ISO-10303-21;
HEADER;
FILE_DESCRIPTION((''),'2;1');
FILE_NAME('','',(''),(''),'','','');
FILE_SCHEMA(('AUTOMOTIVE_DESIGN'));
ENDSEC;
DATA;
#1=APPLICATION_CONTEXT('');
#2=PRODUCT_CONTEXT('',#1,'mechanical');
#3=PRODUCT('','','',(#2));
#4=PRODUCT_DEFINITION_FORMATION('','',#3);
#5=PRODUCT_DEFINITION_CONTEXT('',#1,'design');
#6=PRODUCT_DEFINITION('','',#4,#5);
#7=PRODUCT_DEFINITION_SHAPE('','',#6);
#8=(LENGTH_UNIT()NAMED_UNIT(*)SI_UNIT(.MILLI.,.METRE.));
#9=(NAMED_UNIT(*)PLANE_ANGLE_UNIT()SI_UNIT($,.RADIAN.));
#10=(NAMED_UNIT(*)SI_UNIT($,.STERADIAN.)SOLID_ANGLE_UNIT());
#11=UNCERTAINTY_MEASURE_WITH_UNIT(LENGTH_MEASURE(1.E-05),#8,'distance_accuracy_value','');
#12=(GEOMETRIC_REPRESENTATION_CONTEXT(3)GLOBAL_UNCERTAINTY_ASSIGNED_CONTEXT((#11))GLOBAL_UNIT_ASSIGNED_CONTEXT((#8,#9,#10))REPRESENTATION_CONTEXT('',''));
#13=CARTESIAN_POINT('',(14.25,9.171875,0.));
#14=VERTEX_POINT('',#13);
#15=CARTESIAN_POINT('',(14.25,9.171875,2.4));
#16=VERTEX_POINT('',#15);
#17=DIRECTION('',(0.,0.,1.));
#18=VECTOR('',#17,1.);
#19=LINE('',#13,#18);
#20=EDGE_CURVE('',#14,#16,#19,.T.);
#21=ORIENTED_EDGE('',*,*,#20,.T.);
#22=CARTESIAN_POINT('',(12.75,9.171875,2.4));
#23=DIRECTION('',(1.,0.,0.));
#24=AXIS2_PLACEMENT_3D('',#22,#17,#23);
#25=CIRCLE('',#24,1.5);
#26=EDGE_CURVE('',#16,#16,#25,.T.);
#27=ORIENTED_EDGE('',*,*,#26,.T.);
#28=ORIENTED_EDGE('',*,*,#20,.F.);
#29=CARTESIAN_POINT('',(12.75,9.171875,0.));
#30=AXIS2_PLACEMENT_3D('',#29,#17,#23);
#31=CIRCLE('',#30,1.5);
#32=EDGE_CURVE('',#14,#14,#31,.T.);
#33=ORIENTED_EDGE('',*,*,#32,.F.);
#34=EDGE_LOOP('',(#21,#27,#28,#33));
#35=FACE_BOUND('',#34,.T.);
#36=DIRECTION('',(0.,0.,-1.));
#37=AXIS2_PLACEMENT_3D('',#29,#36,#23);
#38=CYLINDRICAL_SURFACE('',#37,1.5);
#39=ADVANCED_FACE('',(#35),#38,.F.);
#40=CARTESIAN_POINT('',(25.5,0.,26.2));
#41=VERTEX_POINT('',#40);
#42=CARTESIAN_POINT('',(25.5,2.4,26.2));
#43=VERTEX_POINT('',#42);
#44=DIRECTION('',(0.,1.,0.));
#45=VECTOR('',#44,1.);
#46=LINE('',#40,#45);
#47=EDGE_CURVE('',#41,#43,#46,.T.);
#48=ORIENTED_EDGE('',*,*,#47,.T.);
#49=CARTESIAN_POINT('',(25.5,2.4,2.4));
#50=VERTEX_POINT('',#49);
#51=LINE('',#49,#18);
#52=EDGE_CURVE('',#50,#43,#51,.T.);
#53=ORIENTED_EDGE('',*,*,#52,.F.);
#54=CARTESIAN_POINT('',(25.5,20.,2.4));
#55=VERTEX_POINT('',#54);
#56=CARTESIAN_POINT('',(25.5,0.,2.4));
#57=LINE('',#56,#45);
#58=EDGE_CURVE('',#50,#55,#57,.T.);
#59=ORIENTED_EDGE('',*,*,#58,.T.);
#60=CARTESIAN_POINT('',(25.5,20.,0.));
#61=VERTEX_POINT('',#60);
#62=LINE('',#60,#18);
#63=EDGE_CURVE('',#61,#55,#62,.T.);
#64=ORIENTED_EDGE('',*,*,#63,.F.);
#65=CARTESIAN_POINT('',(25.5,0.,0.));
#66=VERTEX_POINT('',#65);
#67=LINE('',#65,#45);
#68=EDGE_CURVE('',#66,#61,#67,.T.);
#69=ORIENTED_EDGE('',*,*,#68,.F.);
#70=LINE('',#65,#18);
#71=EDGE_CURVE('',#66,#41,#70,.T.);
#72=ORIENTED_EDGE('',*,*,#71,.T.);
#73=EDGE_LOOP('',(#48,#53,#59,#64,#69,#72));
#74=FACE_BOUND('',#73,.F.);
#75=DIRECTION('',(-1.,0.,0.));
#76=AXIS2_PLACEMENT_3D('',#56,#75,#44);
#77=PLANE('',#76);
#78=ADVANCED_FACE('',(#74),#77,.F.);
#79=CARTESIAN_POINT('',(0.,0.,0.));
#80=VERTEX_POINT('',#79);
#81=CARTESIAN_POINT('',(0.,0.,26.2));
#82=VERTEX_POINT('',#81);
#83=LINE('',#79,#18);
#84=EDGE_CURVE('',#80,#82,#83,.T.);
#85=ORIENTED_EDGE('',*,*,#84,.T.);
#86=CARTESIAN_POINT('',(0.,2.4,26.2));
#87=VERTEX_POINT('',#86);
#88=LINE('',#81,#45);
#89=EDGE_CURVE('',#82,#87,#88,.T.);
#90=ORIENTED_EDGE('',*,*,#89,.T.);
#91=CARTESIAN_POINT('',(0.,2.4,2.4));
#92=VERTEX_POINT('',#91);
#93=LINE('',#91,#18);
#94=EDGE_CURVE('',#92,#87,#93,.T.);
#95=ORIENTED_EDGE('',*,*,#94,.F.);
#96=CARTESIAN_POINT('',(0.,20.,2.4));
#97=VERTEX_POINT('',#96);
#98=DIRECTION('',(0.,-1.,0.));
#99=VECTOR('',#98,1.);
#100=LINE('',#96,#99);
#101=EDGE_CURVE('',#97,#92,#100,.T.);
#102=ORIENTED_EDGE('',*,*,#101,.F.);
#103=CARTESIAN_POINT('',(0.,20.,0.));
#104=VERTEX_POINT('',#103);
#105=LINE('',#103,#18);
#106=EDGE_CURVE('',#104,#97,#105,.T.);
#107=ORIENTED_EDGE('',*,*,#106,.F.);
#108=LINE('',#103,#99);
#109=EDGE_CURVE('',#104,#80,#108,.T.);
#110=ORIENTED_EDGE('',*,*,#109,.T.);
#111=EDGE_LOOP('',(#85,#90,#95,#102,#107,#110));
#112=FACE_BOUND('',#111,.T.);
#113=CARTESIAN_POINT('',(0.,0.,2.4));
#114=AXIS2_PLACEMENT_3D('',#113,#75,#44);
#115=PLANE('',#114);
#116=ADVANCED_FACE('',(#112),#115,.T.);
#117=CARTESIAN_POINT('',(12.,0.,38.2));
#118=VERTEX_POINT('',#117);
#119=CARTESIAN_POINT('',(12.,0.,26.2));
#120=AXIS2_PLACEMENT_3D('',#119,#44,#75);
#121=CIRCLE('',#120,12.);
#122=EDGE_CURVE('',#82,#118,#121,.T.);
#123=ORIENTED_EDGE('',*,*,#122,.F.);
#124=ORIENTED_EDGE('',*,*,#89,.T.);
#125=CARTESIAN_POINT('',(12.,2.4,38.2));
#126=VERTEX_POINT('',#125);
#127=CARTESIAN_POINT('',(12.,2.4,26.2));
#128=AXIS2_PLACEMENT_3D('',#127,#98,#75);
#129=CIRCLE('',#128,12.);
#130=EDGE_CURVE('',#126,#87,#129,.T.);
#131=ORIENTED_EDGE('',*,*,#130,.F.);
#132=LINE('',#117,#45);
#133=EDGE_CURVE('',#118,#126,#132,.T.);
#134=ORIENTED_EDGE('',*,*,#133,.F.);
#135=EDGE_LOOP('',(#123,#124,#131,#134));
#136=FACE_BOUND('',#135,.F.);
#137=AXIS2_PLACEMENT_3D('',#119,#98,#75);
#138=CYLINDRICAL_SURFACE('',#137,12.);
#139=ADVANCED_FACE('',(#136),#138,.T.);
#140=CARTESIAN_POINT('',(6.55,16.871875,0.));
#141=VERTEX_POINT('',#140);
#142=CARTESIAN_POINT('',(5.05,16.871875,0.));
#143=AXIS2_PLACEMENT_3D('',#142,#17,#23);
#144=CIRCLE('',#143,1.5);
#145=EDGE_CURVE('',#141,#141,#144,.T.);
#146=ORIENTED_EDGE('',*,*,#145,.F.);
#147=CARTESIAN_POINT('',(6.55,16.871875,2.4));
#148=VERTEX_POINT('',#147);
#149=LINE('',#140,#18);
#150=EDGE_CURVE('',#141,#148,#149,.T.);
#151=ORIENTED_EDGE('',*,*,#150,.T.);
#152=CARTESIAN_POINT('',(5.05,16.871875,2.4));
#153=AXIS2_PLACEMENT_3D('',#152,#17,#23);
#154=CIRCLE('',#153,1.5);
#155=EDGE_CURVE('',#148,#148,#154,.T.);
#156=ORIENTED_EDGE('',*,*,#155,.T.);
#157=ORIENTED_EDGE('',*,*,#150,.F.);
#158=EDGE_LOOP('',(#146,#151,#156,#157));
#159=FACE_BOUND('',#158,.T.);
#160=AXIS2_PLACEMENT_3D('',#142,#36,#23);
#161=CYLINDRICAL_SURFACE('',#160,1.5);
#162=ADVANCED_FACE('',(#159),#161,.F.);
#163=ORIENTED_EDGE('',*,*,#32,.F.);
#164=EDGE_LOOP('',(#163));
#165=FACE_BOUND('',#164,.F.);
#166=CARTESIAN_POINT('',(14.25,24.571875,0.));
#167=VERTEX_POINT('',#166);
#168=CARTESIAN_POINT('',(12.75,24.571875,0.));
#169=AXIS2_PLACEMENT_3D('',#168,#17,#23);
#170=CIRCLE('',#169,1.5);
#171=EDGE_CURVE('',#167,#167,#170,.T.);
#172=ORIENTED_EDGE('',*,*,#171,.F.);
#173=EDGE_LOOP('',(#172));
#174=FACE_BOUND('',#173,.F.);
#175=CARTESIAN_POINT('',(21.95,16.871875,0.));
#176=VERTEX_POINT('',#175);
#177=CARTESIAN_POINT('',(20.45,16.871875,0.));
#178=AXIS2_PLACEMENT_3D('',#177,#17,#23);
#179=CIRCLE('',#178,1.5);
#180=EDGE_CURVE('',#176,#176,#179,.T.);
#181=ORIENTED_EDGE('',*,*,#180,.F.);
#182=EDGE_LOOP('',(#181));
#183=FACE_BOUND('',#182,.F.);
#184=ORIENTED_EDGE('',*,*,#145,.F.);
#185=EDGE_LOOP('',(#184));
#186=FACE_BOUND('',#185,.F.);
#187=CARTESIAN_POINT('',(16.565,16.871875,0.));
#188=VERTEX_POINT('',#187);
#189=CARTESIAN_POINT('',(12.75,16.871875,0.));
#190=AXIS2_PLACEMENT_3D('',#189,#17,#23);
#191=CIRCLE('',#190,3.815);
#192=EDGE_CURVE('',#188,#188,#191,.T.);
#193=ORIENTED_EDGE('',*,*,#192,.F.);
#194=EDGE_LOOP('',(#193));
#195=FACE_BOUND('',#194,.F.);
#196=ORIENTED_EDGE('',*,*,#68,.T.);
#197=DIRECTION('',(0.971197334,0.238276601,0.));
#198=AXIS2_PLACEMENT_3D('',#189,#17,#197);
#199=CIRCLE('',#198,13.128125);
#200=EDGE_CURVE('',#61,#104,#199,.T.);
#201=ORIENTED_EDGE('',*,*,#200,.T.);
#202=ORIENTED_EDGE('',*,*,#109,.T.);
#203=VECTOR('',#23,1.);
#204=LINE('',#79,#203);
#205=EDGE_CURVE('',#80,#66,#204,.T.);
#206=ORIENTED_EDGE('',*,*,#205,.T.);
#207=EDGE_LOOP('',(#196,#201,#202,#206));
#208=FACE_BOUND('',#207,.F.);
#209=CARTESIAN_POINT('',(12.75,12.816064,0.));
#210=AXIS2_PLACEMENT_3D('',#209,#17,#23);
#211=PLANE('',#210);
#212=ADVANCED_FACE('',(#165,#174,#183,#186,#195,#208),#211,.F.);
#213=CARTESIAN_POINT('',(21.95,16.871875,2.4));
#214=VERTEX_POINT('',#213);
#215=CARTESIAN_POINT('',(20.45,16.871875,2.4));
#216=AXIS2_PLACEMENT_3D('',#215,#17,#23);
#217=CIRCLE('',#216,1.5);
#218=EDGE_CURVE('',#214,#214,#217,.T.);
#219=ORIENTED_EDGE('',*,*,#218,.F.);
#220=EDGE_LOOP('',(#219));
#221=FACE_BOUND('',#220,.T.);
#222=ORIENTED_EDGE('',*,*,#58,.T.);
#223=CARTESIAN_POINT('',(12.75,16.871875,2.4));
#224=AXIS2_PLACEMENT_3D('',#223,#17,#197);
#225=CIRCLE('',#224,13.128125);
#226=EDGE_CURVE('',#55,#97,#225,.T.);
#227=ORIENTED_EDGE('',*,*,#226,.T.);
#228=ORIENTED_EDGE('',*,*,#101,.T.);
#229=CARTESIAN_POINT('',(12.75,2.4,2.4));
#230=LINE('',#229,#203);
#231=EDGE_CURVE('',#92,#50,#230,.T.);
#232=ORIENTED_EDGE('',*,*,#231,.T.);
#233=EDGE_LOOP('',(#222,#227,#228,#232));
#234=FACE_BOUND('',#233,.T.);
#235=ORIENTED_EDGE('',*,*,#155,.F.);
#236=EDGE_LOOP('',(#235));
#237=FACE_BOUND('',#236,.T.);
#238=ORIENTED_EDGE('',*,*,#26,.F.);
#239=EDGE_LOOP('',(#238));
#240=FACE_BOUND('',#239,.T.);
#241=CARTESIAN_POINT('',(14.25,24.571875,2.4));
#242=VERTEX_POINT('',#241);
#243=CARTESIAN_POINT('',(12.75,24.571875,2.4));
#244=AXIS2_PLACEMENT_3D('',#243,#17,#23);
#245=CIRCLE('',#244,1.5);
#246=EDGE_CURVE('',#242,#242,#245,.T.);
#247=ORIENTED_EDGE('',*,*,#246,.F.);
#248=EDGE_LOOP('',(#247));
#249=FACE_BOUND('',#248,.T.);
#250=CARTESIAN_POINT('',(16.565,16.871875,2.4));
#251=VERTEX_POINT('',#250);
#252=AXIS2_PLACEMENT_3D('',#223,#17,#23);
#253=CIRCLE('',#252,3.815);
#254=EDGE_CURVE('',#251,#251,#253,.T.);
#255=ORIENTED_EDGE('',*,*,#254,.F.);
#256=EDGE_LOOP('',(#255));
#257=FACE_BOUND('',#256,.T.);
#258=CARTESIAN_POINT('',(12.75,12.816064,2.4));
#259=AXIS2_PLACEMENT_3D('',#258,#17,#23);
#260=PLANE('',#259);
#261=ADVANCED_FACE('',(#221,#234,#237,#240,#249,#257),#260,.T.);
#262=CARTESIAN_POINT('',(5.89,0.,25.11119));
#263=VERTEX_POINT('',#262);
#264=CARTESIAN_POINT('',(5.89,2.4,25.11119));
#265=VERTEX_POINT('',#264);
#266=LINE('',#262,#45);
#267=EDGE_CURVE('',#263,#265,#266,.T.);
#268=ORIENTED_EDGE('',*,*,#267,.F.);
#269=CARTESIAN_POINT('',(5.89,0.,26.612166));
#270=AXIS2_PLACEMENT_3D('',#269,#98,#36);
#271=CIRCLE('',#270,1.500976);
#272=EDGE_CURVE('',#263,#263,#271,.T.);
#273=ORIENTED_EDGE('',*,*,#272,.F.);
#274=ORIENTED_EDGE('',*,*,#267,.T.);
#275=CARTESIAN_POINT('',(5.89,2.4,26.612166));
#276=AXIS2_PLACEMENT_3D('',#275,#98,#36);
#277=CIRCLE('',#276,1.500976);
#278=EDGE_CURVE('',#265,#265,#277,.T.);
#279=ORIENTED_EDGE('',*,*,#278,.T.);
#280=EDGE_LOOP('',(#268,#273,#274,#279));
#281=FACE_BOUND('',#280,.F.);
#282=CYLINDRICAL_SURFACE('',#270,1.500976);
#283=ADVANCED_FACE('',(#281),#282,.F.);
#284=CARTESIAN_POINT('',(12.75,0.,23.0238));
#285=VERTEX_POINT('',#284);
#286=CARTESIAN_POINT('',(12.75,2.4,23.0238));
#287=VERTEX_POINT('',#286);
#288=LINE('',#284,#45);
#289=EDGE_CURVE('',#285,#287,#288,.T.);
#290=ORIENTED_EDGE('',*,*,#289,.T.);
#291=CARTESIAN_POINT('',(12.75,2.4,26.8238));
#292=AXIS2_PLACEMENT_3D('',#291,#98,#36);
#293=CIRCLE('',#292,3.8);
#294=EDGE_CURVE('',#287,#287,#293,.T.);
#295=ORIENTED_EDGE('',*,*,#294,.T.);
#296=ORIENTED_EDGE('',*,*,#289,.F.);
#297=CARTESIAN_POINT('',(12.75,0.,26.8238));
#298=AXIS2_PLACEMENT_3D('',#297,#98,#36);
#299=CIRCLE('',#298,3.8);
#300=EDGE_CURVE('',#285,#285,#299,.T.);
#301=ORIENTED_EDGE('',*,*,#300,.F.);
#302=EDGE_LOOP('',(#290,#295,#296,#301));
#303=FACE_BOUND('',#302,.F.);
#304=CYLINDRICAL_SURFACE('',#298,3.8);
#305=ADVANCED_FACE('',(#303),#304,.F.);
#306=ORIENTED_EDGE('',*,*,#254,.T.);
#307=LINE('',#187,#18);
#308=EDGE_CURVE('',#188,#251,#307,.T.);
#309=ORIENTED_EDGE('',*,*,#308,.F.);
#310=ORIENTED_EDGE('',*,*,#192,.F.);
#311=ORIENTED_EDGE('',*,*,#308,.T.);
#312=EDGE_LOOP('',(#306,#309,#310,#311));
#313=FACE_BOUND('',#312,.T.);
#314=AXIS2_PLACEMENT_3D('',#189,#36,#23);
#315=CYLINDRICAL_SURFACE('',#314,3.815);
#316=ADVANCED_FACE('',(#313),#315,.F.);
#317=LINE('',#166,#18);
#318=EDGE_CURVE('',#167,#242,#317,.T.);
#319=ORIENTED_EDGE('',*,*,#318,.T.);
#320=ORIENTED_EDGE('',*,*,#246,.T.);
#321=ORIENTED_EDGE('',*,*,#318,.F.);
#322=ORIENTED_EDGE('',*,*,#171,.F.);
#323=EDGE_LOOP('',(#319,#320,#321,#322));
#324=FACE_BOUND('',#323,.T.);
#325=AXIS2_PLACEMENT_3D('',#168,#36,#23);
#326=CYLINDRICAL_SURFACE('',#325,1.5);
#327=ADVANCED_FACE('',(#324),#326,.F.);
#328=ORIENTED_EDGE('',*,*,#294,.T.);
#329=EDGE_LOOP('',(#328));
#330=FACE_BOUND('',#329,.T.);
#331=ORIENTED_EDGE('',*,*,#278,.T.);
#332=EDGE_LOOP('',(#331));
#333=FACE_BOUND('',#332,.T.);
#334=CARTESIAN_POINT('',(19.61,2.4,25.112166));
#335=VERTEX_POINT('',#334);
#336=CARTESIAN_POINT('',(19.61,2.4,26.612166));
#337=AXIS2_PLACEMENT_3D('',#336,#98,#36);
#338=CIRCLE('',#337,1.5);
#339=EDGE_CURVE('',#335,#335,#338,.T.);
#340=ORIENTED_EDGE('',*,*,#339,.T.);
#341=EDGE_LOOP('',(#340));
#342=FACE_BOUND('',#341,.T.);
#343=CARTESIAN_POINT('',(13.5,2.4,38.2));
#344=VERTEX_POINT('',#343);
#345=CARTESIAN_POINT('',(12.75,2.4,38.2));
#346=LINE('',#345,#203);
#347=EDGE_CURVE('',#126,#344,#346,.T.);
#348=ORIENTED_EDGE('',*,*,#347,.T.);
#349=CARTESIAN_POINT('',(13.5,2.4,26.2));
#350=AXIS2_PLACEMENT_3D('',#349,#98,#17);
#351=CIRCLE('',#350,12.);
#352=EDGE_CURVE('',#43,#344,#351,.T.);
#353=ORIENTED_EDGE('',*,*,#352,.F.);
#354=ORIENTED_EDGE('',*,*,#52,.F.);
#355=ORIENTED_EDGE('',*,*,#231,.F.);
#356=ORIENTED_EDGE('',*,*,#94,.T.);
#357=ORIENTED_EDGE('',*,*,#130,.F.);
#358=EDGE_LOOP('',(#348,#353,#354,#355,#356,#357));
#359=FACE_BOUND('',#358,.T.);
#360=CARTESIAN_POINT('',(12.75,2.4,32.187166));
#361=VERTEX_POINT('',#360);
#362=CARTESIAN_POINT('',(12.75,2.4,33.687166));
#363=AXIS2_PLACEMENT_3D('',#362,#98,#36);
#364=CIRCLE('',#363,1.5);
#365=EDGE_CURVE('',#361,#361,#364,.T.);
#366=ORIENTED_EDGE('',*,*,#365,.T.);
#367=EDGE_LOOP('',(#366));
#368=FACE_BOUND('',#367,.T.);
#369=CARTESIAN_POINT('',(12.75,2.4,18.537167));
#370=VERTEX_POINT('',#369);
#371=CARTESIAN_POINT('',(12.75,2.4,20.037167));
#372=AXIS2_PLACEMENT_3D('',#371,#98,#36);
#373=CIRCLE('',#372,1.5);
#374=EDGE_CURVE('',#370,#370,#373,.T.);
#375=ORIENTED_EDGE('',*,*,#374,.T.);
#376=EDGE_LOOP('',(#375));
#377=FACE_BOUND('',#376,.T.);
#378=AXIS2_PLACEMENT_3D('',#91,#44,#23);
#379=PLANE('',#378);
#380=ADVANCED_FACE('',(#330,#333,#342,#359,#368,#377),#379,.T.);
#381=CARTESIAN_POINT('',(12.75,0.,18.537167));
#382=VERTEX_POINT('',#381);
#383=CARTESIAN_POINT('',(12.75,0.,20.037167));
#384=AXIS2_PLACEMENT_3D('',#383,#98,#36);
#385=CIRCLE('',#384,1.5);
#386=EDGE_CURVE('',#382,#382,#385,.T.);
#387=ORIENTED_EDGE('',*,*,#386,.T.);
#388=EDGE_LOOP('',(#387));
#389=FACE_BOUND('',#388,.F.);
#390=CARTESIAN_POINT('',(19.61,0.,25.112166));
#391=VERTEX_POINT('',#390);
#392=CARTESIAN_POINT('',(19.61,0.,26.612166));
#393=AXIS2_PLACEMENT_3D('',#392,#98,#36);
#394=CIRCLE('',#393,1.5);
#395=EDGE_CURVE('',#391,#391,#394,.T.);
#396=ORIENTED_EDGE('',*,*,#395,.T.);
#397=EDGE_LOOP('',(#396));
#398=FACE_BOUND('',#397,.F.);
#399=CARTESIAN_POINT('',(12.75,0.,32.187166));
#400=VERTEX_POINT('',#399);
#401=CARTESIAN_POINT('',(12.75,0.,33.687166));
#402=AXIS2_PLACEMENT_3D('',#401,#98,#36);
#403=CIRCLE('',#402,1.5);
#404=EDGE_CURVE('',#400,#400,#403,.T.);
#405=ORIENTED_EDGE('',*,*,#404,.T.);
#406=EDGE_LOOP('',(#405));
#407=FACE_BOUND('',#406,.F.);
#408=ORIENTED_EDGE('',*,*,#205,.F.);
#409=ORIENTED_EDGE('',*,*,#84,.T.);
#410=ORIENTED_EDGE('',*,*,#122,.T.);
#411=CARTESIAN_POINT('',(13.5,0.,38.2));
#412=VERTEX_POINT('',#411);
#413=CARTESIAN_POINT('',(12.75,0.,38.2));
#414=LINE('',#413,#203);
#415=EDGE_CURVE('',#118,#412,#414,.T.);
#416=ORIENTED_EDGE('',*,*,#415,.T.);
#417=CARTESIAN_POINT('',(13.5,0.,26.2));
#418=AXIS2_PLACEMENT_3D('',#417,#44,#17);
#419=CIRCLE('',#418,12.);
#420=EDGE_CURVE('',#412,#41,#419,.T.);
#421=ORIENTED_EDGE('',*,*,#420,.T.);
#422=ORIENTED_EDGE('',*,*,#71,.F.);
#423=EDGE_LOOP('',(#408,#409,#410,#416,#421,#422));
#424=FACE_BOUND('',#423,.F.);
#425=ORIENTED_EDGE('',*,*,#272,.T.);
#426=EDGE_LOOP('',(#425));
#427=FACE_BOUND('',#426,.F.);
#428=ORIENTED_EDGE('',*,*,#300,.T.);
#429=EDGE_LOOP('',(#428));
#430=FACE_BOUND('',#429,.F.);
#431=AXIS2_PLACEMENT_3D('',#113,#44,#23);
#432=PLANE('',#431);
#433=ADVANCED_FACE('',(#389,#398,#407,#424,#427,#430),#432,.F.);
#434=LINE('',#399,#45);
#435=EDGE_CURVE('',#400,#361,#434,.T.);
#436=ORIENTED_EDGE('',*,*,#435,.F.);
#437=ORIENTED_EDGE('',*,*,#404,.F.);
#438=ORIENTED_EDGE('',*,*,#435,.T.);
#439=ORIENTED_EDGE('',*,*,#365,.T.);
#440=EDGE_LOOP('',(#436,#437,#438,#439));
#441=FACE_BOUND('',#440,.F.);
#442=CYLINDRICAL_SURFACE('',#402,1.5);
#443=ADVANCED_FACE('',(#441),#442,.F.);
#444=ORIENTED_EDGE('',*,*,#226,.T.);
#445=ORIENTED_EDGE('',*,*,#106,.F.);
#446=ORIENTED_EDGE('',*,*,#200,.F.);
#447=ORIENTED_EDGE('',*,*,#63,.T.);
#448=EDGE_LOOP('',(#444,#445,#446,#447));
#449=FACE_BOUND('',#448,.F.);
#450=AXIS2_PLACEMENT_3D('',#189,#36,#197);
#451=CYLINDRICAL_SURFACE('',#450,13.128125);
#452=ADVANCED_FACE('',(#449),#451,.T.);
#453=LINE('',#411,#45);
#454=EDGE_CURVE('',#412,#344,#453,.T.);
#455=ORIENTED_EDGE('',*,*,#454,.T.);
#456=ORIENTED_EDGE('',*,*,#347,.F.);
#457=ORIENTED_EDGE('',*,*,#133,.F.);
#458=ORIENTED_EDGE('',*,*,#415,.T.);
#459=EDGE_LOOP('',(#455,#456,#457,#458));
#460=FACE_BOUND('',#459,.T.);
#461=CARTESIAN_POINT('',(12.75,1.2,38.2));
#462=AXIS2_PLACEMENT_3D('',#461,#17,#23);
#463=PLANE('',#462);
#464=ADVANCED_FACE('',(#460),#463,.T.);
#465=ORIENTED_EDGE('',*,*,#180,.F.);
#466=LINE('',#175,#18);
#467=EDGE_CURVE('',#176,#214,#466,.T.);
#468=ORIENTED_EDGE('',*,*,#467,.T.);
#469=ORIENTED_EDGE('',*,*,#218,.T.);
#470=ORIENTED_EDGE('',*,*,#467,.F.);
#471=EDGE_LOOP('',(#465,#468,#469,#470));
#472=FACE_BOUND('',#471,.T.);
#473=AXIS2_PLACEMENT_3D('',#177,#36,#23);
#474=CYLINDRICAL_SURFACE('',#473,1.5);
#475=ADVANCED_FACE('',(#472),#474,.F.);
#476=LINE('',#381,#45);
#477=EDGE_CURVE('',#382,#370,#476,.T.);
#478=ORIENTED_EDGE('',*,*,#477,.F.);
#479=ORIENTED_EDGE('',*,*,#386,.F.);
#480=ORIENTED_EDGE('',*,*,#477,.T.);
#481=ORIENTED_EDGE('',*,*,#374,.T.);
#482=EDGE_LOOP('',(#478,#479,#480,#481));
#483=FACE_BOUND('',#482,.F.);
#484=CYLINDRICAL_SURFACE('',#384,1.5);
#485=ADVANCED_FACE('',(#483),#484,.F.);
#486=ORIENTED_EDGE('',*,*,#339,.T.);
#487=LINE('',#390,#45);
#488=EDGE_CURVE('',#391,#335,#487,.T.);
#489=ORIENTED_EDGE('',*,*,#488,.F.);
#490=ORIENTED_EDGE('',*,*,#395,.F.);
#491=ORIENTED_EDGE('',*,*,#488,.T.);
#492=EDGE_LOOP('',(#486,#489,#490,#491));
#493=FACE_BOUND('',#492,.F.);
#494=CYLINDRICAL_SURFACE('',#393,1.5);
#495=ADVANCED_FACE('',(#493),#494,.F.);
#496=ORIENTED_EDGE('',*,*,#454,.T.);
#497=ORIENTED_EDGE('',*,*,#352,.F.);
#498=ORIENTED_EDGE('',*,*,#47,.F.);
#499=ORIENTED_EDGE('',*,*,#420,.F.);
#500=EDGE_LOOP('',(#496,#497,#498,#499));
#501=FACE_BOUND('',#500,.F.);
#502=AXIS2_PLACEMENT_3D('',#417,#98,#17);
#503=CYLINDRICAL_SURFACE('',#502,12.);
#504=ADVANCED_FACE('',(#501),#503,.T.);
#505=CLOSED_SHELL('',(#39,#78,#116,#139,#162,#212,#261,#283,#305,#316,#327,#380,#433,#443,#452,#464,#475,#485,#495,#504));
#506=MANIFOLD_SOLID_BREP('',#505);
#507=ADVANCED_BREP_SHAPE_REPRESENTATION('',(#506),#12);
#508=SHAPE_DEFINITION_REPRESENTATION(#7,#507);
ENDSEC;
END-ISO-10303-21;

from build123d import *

# Parameters (mm, degrees)
SKETCH1_R           = 1.5
SKETCH1_R_2         = 3.815
BOSS_EXTRUDE1_DEPTH = 2.4
SKETCH2_W           = 25.5
SKETCH2_H           = 2.4
BOSS_EXTRUDE2_DEPTH = 35.8
CUT_EXTRUDE1_DEPTH  = 35.8
SKETCH4_R           = 3.8
SKETCH4_R_2         = 1.500976088
SKETCH4_R_3         = 1.5
CUT_EXTRUDE2_DEPTH  = 35.8


with BuildPart() as part:
    # Sketch1 → Boss-Extrude1 (new body)
    with BuildSketch(Plane.XY):
        with BuildLine():
            Line((0, 0), (25.5, 0))
            Line((25.5, 0), (25.5, 20))
            ThreePointArc((25.5, 20), (12.75, 30), (0, 20))
            Line((0, 20), (0, 0))
        make_face()
        with Locations((12.75, 24.571875)):
            Circle(SKETCH1_R, mode=Mode.SUBTRACT)
        with Locations((12.75, 16.871875)):
            Circle(SKETCH1_R_2, mode=Mode.SUBTRACT)
        with Locations((20.45, 16.871875)):
            Circle(SKETCH1_R, mode=Mode.SUBTRACT)
        with Locations((12.75, 9.171875)):
            Circle(SKETCH1_R, mode=Mode.SUBTRACT)
        with Locations((5.05, 16.871875)):
            Circle(SKETCH1_R, mode=Mode.SUBTRACT)
    extrude(amount=BOSS_EXTRUDE1_DEPTH)

    # Sketch2 → Boss-Extrude2 (add)
    with BuildSketch(Plane.XY.offset(2.4)):
        with Locations((12.75, 1.2)):
            Rectangle(SKETCH2_W, SKETCH2_H)
    extrude(amount=BOSS_EXTRUDE2_DEPTH)

    # Sketch3 → Cut-Extrude1 (cut)
    with BuildSketch(Plane.XZ):
        with BuildLine():
            ThreePointArc((0, 26.2), (3.514718626, 34.685281374), (12, 38.2))
            Line((12, 38.2), (0, 38.2))
            Line((0, 38.2), (0, 26.2))
        make_face()
        with BuildLine():
            Line((25.5, 38.2), (13.5, 38.2))
            ThreePointArc((13.5, 38.2), (21.985281374, 34.685281374), (25.5, 26.2))
            Line((25.5, 26.2), (25.5, 38.2))
        make_face()
    extrude(amount=-CUT_EXTRUDE1_DEPTH, mode=Mode.SUBTRACT)

    # Sketch4 → Cut-Extrude2 (cut)
    with BuildSketch(Plane.XZ):
        with Locations(Location((12.75, 26.823800226, 0), (0, 0, 270))):
            Circle(SKETCH4_R)
        with Locations(Location((5.89, 26.612165956, 0), (0, 0, 270))):
            Circle(SKETCH4_R_2)
        with Locations(Location((19.61, 26.612165956, 0), (0, 0, 270))):
            Circle(SKETCH4_R_3)
        with Locations(Location((12.75, 33.687165956, 0), (0, 0, 270))):
            Circle(SKETCH4_R_3)
        with Locations(Location((12.75, 20.037167493, 0), (0, 0, 270))):
            Circle(SKETCH4_R_3)
    extrude(amount=-CUT_EXTRUDE2_DEPTH, mode=Mode.SUBTRACT)


solid = part.part
